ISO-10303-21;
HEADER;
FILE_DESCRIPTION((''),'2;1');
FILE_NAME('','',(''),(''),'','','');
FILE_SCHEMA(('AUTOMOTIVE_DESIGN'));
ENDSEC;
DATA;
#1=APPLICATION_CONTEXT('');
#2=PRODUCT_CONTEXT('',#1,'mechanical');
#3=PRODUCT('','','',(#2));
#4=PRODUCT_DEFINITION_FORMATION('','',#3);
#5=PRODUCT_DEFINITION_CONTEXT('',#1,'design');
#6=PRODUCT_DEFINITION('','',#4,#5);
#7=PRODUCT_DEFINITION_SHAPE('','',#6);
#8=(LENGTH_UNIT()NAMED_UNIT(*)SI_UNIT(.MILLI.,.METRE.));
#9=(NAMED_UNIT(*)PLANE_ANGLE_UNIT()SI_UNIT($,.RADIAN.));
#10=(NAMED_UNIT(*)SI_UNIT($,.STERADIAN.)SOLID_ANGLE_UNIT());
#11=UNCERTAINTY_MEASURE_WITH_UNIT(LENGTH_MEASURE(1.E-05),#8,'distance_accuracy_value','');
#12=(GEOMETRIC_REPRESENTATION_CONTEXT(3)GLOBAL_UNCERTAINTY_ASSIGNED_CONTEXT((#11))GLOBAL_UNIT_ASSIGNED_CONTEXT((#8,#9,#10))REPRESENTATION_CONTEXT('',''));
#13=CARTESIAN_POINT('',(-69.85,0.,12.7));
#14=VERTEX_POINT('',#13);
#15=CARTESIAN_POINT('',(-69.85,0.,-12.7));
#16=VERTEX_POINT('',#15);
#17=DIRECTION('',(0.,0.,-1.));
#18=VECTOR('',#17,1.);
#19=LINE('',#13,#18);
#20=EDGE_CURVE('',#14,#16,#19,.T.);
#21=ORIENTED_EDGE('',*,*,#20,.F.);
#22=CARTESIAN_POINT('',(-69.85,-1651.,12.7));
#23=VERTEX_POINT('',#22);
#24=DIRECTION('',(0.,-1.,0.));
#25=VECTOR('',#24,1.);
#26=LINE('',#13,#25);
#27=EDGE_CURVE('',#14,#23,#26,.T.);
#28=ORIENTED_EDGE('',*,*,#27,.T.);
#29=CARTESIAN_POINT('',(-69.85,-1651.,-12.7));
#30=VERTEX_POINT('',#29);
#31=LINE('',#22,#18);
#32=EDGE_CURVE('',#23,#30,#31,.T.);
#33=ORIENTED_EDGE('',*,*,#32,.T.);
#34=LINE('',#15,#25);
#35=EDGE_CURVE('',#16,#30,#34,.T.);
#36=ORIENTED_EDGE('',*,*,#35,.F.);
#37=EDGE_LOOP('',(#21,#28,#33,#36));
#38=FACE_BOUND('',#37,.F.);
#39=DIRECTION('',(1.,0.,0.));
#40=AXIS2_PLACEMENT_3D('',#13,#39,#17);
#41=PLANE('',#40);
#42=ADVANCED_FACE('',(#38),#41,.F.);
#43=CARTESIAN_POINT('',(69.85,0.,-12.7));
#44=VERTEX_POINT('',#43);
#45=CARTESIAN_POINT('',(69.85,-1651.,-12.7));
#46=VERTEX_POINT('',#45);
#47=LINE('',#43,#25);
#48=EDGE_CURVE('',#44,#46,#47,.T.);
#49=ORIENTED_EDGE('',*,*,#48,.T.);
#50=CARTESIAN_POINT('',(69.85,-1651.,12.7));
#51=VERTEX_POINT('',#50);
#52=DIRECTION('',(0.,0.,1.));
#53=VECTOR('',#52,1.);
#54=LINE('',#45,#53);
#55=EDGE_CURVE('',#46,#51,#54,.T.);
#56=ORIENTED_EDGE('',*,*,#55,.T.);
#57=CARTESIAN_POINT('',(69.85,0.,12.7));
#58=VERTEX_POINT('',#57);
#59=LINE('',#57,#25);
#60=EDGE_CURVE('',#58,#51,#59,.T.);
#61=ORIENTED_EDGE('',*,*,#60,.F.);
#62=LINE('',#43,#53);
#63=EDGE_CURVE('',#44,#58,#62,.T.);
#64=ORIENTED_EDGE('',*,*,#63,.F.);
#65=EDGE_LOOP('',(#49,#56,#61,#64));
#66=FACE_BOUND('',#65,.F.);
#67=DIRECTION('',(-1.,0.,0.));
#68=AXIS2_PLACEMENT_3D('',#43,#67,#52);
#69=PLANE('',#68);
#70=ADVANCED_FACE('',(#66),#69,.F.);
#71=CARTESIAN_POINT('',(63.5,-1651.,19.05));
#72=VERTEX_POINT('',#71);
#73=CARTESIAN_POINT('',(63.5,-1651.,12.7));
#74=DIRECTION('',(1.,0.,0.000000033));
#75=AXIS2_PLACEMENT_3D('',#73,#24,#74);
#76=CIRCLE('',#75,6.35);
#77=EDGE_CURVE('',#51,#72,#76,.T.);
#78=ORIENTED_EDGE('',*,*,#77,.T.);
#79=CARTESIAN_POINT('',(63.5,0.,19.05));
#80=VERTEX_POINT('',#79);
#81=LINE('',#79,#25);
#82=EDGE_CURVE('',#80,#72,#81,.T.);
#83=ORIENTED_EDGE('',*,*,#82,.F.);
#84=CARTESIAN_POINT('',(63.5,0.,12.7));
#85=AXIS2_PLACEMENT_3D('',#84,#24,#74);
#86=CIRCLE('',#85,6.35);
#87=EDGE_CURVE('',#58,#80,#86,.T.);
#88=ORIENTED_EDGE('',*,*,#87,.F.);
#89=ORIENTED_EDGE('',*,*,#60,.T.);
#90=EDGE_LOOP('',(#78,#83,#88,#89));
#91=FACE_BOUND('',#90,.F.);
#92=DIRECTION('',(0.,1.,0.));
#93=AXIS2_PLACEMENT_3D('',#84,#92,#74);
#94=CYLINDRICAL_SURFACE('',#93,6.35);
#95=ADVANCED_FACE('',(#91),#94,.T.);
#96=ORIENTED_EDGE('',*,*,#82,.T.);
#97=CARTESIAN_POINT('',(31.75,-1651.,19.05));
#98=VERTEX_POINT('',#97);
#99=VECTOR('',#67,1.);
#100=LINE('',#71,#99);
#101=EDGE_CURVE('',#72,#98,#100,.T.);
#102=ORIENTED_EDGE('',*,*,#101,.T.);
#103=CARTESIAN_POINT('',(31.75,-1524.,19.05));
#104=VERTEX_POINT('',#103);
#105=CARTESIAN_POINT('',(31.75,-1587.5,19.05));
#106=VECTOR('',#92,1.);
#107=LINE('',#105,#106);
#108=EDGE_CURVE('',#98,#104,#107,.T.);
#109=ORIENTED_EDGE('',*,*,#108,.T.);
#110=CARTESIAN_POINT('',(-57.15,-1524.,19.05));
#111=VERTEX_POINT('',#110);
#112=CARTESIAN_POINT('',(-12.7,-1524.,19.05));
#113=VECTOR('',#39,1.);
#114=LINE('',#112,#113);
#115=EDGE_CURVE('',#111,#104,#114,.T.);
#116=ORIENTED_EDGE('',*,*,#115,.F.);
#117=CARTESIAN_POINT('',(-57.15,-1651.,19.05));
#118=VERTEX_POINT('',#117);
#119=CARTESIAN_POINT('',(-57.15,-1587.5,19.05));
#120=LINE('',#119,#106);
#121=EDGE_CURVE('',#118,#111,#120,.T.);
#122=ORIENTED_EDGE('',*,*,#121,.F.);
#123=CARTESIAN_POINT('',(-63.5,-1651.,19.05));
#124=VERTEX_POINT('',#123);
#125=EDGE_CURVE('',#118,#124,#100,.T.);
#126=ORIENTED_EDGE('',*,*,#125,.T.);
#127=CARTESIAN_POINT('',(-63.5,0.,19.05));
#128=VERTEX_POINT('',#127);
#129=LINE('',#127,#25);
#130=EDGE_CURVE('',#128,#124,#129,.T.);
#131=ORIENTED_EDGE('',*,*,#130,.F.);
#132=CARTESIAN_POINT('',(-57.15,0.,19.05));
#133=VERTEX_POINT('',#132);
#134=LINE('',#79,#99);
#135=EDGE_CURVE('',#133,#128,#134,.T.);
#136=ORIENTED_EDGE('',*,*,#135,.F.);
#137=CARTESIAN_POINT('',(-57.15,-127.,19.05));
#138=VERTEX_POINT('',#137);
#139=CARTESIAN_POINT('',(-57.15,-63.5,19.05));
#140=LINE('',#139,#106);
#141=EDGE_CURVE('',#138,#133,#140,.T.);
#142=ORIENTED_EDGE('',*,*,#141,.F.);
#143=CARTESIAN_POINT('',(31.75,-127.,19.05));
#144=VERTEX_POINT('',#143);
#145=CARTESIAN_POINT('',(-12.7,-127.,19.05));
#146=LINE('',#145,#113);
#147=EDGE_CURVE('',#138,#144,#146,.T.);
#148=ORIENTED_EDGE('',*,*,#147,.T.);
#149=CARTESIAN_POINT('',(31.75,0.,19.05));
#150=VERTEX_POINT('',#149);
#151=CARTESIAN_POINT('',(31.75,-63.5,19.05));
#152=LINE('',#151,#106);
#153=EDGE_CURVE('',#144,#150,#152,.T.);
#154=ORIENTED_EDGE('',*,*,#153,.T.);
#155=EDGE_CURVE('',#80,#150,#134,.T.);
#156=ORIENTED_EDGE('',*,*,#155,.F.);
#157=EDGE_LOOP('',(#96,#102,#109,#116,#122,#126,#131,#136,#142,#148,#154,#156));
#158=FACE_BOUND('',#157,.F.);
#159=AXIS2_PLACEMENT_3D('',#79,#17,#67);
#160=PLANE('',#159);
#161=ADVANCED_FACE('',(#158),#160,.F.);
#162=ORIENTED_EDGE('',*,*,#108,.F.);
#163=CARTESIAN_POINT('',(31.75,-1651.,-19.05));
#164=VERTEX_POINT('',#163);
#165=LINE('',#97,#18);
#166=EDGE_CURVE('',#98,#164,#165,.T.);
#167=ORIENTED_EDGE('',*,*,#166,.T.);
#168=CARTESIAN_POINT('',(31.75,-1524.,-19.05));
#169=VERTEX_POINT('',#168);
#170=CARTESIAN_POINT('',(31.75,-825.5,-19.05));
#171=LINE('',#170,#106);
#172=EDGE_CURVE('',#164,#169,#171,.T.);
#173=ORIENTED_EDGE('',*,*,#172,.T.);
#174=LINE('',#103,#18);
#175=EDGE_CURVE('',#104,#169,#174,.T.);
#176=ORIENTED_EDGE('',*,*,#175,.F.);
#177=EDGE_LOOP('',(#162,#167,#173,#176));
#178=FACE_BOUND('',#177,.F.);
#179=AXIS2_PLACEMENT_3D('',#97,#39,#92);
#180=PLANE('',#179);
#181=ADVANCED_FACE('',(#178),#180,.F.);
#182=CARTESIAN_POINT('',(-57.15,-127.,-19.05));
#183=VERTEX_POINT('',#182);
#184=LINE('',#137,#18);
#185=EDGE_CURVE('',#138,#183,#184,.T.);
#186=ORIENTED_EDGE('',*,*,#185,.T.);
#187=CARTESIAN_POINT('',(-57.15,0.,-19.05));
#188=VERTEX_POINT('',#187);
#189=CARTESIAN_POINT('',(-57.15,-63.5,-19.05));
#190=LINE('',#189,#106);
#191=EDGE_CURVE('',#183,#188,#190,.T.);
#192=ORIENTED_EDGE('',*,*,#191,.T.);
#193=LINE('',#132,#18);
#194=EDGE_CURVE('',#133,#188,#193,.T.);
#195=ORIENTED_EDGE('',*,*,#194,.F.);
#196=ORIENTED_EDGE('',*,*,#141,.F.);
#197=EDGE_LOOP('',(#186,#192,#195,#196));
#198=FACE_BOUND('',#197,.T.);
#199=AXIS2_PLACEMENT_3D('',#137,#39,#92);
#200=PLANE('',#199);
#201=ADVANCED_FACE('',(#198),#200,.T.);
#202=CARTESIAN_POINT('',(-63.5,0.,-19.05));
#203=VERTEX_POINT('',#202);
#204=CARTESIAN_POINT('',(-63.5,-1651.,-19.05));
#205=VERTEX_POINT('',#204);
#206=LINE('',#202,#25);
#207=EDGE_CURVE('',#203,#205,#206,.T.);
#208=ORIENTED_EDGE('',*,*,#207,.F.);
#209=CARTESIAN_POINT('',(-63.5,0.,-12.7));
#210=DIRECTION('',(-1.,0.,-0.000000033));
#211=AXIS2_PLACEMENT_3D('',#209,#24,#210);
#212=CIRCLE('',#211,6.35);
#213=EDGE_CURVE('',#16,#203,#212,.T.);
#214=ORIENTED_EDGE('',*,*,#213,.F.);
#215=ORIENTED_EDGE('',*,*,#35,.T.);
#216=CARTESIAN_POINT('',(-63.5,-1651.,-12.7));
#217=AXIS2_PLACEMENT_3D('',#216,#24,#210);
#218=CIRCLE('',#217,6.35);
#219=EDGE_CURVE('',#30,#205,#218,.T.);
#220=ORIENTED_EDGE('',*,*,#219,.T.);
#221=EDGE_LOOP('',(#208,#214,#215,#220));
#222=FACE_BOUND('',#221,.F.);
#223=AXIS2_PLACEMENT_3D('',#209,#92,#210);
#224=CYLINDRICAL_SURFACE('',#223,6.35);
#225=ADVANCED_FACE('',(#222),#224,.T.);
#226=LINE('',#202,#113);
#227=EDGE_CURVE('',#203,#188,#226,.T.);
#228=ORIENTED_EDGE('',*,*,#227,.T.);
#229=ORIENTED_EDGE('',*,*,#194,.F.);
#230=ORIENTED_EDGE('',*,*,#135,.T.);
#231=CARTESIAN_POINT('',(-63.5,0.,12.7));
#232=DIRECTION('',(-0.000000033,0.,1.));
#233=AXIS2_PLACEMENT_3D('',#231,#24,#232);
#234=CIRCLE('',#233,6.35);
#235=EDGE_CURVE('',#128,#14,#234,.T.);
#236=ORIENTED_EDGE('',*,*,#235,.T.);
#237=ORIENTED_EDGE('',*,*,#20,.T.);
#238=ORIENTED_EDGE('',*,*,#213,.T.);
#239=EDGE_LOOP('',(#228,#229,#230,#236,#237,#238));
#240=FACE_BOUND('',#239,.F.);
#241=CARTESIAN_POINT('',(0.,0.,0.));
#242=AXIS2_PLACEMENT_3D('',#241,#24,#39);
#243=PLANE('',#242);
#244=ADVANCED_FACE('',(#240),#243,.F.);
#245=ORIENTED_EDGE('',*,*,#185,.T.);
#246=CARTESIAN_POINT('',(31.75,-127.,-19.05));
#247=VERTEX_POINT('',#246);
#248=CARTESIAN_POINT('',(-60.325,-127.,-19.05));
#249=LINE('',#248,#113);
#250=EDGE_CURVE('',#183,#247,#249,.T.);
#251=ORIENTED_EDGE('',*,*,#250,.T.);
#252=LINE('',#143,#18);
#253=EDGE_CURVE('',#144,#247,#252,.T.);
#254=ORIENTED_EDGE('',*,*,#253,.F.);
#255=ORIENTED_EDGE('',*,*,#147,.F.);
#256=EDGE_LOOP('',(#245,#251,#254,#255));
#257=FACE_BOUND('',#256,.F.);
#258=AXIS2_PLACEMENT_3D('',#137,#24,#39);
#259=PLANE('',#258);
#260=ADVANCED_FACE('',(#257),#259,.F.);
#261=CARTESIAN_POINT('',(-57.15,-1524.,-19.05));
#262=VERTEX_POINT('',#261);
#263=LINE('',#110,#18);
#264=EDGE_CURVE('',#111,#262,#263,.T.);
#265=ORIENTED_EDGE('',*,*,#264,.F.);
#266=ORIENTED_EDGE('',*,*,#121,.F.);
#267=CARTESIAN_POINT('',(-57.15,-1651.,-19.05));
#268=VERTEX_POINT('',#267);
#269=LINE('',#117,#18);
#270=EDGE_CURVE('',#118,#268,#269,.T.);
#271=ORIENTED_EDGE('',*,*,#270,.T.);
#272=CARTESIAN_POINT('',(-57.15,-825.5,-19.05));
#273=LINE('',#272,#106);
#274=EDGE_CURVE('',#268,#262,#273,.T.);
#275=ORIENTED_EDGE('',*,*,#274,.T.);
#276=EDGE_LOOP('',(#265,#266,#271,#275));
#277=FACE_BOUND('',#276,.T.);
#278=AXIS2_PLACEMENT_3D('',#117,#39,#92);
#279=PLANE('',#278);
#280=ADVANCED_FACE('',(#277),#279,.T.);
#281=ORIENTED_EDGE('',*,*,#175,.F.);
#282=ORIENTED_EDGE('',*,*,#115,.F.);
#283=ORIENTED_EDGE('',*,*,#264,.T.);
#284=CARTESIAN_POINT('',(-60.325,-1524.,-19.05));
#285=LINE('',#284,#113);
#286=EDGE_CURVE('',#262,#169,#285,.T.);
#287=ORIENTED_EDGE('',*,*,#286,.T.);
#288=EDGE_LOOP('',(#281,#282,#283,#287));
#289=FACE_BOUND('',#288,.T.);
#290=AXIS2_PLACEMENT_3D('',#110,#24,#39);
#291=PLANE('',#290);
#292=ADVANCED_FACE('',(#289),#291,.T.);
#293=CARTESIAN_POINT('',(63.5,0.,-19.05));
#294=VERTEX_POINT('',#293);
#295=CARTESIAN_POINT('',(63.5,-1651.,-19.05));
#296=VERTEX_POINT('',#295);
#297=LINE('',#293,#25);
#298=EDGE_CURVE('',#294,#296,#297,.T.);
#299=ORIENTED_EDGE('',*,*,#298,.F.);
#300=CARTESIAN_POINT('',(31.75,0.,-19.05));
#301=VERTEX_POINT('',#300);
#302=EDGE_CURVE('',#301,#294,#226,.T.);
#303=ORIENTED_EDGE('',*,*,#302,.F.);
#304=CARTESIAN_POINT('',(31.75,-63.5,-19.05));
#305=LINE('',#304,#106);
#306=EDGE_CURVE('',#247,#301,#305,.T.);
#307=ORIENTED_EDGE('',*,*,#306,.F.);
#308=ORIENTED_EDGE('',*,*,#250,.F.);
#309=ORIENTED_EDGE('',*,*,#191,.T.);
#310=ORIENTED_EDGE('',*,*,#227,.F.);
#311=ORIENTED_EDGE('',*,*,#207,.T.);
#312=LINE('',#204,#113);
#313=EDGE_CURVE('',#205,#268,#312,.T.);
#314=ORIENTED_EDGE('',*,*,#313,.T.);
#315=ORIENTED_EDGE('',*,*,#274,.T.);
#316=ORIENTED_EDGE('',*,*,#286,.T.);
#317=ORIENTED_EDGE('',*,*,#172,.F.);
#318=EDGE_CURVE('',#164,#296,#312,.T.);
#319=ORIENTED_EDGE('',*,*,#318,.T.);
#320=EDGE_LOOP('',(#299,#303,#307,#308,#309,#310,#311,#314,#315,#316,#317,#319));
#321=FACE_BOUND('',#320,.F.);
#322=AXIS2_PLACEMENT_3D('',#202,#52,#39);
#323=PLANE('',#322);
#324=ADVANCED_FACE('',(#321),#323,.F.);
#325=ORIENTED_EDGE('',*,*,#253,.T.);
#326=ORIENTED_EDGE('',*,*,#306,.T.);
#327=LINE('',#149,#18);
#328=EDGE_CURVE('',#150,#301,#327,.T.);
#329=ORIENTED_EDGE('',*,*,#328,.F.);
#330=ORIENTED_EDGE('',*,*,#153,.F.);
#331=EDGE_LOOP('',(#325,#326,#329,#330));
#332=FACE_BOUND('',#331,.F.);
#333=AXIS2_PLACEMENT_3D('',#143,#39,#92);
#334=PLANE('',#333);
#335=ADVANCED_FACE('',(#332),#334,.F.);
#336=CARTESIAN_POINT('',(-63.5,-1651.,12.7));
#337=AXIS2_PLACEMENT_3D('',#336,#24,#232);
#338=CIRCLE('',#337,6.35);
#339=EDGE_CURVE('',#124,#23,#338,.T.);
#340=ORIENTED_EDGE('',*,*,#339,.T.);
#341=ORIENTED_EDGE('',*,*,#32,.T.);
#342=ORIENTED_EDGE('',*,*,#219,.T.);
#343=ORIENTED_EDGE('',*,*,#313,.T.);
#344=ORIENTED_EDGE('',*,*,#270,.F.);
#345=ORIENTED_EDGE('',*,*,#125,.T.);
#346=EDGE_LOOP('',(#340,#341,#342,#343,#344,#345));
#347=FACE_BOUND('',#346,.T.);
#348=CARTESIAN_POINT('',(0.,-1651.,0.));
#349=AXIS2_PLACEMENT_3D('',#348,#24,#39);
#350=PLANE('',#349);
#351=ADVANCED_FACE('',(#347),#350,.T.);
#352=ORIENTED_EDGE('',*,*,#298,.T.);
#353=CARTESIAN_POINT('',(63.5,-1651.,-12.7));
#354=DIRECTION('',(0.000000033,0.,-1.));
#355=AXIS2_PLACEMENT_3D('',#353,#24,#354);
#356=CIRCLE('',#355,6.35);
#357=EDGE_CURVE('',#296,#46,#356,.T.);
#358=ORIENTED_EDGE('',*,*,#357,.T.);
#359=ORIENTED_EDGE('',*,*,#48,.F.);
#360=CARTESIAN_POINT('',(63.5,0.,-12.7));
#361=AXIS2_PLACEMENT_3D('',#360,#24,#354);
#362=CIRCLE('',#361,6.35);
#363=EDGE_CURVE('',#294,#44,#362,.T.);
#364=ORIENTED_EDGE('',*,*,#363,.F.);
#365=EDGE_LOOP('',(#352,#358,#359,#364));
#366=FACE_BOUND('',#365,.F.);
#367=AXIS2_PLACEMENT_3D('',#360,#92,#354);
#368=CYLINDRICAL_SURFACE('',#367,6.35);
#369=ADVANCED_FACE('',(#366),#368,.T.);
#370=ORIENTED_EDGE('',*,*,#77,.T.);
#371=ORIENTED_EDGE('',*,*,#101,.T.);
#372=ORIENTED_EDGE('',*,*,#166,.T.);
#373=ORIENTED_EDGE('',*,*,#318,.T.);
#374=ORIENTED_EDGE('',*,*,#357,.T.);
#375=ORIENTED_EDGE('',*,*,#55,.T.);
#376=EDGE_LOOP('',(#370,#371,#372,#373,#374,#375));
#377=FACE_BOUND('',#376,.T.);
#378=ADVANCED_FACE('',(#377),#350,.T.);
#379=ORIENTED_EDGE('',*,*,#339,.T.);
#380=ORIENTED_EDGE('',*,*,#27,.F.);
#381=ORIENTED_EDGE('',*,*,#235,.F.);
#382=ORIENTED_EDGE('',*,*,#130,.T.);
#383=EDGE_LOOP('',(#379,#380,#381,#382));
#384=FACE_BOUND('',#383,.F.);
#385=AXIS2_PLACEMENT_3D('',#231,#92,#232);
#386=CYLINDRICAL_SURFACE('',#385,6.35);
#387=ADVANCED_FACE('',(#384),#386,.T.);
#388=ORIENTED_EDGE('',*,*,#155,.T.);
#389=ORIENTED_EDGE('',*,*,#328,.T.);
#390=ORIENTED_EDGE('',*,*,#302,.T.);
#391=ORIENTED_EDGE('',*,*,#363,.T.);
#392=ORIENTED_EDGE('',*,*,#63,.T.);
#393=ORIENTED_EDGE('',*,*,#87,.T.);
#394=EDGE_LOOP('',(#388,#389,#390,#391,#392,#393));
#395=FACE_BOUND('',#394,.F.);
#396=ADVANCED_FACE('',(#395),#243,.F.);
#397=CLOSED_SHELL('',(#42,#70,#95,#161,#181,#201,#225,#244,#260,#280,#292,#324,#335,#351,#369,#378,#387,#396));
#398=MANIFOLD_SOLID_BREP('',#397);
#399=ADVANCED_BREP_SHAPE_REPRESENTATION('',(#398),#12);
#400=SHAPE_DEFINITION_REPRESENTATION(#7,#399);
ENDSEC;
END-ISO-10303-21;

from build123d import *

# Parameters (mm, degrees)
F1_DEPTH = 1651
F2_W     = 88.9
F2_H     = 127
F3_DEPTH = 38.101
F4_W     = 88.9
F4_H     = 127
F5_DEPTH = 38.101


with BuildPart() as f1:
    # F0 (on Front) → F1 (new body)
    with BuildSketch(Plane.XZ):
        with BuildLine():
            ThreePointArc((-69.85, -12.7), (-67.990128, -17.190128), (-63.5, -19.05))
            Line((-63.5, -19.05), (63.5, -19.05))
            ThreePointArc((63.5, -19.05), (67.990128, -17.190128), (69.85, -12.7))
            Line((69.85, -12.7), (69.85, 12.7))
            ThreePointArc((69.85, 12.7), (67.990128, 17.190128), (63.5, 19.05))
            Line((63.5, 19.05), (-63.5, 19.05))
            ThreePointArc((-63.5, 19.05), (-67.990128, 17.190128), (-69.85, 12.7))
            Line((-69.85, 12.7), (-69.85, -12.7))
        make_face()
    extrude(amount=F1_DEPTH)

    # F2 (on face) → F3 (cut, through all)
    with BuildSketch(Plane.XY.offset(19.05)):
        with Locations((-12.7, -63.5)):
            Rectangle(F2_W, F2_H)
    extrude(amount=-F3_DEPTH, mode=Mode.SUBTRACT)

    # F4 (on face) → F5 (cut, through all)
    with BuildSketch(Plane.XY.offset(19.05)):
        with Locations((-12.7, -1587.5)):
            Rectangle(F4_W, F4_H)
    extrude(amount=-F5_DEPTH, mode=Mode.SUBTRACT)


solid = f1.part
